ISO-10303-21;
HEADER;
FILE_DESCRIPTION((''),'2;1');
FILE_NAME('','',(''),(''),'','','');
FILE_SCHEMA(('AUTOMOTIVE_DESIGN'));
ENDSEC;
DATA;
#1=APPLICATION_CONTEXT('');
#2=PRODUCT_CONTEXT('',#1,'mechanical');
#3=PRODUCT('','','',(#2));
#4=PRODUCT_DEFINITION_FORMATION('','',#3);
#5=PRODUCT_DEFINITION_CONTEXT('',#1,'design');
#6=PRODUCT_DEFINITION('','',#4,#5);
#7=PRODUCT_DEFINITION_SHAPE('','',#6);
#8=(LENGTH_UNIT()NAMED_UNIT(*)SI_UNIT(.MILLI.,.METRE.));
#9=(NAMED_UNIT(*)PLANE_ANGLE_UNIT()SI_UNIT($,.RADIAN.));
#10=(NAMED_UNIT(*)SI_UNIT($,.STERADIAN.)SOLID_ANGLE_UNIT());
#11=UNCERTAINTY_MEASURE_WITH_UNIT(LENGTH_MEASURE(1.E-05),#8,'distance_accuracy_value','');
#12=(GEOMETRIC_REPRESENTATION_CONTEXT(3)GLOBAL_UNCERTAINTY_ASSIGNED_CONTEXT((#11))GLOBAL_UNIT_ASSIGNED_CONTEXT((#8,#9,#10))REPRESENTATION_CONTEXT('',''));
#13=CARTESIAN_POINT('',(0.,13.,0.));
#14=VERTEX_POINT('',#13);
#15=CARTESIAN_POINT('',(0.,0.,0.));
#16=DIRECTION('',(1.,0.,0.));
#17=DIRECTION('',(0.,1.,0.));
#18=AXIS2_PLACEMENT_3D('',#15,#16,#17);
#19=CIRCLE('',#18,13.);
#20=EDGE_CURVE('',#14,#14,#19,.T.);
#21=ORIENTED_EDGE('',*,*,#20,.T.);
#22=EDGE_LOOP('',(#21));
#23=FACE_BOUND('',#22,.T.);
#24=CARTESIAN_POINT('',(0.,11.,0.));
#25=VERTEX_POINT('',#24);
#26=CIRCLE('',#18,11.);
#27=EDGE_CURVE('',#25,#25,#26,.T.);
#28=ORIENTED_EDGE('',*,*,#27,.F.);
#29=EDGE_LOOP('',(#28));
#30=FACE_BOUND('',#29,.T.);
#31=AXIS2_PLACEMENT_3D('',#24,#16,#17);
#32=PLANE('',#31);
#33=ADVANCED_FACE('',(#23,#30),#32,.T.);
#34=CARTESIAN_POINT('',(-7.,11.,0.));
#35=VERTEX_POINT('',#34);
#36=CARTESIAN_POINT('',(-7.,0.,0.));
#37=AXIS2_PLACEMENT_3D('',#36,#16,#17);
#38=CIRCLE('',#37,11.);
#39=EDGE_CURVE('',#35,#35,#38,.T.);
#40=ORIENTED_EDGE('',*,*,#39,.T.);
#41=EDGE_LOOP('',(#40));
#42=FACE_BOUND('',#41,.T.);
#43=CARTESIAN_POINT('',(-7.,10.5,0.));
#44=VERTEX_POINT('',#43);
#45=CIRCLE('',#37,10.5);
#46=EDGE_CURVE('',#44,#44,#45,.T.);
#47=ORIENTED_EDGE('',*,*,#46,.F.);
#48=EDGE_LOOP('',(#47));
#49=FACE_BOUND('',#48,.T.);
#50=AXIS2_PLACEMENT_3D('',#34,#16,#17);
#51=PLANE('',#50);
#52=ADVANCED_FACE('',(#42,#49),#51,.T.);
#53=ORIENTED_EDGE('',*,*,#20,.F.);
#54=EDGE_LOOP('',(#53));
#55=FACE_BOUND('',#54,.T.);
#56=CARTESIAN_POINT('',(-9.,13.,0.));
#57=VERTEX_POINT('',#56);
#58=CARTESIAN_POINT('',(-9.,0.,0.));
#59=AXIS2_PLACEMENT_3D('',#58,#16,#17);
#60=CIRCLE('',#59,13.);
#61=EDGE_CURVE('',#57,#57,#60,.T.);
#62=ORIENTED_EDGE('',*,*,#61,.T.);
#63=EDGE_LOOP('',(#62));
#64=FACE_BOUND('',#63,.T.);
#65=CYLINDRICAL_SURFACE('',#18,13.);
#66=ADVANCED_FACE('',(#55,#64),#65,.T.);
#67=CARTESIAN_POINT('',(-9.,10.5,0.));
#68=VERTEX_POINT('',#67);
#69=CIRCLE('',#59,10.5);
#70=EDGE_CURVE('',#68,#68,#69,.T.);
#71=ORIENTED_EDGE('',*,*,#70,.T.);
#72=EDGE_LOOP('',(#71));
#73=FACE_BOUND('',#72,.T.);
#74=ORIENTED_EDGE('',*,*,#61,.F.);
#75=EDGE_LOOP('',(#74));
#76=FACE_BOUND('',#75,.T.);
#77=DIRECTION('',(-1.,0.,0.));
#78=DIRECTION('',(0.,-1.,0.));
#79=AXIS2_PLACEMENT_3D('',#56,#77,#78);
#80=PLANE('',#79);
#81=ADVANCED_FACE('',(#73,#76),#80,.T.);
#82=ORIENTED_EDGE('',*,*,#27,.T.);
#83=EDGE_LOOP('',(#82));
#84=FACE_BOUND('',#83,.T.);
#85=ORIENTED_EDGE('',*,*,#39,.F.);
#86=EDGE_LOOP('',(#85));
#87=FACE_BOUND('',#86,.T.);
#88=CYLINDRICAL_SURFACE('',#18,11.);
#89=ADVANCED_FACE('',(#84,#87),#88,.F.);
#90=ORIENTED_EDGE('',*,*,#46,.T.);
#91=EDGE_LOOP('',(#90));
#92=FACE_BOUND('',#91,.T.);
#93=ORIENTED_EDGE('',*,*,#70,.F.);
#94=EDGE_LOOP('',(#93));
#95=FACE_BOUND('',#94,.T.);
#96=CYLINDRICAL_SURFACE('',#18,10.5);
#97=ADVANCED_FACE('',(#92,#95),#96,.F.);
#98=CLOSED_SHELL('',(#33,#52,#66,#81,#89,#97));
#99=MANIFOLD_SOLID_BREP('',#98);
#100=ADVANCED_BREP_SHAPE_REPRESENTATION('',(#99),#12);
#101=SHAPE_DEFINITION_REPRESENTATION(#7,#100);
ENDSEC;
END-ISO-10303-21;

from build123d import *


with BuildPart() as part:
    # Sketch2 → Revolve1 (revolve)
    with BuildSketch(Plane.XY):
        Polygon((0, 11), (0, 13), (-9, 13), (-9, 10.5), (-7, 10.5), (-7, 11), align=None)
    revolve(axis=Axis((0, 0, 0), (-1, 0, 0)))


solid = part.part
